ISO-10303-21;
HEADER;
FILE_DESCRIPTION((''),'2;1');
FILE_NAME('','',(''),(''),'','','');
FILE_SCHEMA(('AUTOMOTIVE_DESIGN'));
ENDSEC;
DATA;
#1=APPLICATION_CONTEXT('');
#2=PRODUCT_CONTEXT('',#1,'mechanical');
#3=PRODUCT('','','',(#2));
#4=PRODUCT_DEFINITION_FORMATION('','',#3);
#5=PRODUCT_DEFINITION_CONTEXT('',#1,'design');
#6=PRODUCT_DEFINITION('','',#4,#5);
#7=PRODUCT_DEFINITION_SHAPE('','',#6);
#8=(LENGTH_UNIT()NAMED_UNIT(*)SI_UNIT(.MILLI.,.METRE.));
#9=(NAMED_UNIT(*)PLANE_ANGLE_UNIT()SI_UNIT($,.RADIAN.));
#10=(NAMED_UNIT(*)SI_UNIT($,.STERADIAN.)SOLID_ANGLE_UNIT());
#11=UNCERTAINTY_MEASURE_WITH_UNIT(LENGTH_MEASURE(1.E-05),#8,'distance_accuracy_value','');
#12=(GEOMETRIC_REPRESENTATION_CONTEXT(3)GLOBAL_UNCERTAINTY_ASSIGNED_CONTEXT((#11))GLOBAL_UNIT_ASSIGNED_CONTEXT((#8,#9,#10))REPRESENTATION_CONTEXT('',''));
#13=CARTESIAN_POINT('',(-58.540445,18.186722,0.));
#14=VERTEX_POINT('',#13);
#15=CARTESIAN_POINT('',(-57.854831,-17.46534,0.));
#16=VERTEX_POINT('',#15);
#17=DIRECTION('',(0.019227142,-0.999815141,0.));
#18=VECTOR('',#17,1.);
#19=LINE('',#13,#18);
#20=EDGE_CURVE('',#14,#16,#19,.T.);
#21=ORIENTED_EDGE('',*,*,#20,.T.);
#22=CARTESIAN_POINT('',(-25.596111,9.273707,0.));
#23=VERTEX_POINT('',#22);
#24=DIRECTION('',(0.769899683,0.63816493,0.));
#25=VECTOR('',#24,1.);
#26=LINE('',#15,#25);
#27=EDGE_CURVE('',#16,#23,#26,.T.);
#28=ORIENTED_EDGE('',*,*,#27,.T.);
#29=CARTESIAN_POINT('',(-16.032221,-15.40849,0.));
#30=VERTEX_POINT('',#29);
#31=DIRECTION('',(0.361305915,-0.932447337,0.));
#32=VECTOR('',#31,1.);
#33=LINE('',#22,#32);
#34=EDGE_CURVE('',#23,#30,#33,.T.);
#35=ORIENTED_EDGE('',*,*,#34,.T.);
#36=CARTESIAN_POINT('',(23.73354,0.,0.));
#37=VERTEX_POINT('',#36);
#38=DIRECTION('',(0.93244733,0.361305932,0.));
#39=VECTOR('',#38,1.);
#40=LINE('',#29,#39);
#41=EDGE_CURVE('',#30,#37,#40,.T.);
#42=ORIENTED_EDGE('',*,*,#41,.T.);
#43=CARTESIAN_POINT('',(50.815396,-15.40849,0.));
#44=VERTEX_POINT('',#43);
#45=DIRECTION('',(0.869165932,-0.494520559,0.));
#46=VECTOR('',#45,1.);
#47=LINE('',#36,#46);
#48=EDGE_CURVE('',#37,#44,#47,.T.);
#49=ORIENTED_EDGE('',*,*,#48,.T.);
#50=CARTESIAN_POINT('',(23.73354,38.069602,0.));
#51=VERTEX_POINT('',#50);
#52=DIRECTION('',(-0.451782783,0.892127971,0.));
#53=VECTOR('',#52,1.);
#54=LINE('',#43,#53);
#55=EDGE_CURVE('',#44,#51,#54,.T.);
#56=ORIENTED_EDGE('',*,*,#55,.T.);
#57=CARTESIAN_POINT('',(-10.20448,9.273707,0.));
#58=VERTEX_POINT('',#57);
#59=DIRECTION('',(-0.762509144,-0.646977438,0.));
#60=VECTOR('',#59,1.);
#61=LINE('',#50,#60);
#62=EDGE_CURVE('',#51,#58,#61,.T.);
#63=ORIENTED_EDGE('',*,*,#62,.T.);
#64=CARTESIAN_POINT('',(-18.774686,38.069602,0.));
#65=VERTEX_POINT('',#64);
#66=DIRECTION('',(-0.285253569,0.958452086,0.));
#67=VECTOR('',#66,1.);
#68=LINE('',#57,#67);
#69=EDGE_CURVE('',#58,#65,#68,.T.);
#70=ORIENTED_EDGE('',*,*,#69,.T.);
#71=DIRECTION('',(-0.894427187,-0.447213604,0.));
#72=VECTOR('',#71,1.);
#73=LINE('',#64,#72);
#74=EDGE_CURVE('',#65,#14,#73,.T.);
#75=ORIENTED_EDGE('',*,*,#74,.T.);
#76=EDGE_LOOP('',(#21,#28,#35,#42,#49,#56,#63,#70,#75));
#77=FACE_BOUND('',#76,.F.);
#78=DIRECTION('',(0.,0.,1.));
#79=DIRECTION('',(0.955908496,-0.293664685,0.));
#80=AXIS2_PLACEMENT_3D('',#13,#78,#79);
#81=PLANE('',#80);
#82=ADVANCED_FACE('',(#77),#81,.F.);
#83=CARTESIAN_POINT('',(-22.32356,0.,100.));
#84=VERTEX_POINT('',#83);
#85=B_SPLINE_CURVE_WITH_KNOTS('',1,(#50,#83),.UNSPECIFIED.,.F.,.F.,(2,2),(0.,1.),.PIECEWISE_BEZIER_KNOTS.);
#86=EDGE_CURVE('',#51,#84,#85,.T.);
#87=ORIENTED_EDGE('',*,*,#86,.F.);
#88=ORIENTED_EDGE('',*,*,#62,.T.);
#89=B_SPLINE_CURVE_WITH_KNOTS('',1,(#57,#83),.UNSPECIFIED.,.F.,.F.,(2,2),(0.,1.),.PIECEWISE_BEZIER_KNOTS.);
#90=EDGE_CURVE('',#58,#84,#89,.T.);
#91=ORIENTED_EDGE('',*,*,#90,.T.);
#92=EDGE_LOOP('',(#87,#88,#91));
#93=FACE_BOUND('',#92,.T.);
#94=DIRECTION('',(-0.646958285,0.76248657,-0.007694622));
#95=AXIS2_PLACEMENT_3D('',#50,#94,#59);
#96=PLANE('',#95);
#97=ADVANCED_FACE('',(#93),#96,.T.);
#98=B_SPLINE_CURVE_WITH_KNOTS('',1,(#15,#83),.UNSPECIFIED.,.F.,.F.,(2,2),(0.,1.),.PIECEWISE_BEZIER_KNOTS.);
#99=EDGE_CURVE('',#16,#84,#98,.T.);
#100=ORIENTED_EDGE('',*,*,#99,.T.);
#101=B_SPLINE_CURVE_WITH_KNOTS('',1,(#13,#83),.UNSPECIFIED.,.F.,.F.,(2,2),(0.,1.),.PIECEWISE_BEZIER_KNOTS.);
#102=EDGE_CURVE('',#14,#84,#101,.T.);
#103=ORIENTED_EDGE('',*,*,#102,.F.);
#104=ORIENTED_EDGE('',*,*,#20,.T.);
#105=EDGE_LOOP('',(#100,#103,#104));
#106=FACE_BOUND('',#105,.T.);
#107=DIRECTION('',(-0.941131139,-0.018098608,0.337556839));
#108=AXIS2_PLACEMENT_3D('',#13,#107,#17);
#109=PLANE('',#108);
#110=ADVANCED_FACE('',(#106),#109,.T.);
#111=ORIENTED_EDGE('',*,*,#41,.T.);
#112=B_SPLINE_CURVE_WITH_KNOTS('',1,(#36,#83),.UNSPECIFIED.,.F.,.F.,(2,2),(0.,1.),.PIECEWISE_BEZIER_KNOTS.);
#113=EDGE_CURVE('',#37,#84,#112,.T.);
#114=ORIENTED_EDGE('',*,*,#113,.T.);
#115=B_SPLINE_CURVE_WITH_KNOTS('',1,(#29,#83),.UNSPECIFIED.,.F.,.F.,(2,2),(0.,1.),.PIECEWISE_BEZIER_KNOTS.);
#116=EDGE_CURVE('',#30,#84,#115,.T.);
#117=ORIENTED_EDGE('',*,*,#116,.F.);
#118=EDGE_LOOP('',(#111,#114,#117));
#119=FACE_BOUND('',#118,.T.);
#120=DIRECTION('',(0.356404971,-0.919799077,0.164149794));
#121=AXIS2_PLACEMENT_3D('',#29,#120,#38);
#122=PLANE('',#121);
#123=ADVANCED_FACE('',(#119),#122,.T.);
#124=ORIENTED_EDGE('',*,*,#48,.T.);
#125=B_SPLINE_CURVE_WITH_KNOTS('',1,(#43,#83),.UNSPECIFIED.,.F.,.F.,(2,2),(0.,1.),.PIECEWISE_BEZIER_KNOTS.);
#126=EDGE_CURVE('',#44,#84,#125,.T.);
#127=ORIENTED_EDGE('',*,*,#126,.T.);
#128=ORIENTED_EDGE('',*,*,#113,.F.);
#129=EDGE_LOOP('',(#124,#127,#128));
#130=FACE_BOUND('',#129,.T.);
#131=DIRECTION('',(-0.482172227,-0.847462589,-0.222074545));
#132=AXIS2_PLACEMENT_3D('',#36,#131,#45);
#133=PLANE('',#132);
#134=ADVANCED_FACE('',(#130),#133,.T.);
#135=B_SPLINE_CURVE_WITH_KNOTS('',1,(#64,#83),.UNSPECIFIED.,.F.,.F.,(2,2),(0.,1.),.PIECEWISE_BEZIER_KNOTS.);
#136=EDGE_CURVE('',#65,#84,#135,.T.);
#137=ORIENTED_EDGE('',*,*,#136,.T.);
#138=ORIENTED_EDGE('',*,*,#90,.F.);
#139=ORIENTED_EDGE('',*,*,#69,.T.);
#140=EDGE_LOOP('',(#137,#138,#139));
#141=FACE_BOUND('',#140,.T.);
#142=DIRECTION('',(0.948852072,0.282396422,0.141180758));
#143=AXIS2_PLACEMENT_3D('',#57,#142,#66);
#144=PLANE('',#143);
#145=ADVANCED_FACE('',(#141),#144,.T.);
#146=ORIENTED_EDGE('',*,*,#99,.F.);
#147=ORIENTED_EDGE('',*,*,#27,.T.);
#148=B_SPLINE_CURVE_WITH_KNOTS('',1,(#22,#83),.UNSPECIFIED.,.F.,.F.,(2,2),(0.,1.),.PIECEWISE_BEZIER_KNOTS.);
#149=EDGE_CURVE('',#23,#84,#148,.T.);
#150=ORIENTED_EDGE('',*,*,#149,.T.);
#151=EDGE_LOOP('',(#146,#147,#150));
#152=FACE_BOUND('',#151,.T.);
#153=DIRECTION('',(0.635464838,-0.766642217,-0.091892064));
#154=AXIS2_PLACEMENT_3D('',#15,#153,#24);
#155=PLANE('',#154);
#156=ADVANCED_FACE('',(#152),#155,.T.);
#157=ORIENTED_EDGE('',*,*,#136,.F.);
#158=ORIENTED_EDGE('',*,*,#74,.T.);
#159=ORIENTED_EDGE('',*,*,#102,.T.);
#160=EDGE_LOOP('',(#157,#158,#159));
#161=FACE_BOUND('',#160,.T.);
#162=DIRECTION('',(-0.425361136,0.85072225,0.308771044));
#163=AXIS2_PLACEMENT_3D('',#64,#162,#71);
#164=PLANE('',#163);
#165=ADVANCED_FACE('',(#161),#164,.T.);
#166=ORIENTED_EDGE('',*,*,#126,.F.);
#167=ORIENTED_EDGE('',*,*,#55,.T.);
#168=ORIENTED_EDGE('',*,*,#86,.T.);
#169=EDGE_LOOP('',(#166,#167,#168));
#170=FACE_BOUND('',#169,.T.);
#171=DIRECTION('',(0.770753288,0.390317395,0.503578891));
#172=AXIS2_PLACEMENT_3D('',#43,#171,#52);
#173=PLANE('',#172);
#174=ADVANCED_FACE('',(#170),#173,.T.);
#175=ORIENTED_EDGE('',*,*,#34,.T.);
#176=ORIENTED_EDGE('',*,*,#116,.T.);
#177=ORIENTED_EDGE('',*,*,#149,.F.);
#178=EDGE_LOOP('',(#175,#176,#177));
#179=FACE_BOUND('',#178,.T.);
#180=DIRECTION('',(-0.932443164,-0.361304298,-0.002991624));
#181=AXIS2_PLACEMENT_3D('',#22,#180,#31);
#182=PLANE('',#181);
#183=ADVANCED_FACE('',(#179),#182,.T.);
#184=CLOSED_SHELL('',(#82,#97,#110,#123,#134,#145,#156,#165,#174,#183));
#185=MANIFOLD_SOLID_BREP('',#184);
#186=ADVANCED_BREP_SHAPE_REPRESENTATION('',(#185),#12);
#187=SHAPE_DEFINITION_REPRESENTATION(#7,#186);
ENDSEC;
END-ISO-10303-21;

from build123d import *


with BuildPart() as f3:
    # F0 (on Top) → F3 section 0
    with BuildSketch(Plane.XY, mode=Mode.PRIVATE) as f3_s0:
        Polygon((-58.540445, 18.186722), (-57.854831, -17.46534), (-25.596111, 9.273707), (-16.032221, -15.40849), (23.73354, 0), (50.815396, -15.40849), (23.73354, 38.069602), (-10.20448, 9.273707), (-18.774686, 38.069602), align=None)
    loft([f3_s0.sketch, Vertex(-22.32356, 0, 100)])


solid = f3.part
